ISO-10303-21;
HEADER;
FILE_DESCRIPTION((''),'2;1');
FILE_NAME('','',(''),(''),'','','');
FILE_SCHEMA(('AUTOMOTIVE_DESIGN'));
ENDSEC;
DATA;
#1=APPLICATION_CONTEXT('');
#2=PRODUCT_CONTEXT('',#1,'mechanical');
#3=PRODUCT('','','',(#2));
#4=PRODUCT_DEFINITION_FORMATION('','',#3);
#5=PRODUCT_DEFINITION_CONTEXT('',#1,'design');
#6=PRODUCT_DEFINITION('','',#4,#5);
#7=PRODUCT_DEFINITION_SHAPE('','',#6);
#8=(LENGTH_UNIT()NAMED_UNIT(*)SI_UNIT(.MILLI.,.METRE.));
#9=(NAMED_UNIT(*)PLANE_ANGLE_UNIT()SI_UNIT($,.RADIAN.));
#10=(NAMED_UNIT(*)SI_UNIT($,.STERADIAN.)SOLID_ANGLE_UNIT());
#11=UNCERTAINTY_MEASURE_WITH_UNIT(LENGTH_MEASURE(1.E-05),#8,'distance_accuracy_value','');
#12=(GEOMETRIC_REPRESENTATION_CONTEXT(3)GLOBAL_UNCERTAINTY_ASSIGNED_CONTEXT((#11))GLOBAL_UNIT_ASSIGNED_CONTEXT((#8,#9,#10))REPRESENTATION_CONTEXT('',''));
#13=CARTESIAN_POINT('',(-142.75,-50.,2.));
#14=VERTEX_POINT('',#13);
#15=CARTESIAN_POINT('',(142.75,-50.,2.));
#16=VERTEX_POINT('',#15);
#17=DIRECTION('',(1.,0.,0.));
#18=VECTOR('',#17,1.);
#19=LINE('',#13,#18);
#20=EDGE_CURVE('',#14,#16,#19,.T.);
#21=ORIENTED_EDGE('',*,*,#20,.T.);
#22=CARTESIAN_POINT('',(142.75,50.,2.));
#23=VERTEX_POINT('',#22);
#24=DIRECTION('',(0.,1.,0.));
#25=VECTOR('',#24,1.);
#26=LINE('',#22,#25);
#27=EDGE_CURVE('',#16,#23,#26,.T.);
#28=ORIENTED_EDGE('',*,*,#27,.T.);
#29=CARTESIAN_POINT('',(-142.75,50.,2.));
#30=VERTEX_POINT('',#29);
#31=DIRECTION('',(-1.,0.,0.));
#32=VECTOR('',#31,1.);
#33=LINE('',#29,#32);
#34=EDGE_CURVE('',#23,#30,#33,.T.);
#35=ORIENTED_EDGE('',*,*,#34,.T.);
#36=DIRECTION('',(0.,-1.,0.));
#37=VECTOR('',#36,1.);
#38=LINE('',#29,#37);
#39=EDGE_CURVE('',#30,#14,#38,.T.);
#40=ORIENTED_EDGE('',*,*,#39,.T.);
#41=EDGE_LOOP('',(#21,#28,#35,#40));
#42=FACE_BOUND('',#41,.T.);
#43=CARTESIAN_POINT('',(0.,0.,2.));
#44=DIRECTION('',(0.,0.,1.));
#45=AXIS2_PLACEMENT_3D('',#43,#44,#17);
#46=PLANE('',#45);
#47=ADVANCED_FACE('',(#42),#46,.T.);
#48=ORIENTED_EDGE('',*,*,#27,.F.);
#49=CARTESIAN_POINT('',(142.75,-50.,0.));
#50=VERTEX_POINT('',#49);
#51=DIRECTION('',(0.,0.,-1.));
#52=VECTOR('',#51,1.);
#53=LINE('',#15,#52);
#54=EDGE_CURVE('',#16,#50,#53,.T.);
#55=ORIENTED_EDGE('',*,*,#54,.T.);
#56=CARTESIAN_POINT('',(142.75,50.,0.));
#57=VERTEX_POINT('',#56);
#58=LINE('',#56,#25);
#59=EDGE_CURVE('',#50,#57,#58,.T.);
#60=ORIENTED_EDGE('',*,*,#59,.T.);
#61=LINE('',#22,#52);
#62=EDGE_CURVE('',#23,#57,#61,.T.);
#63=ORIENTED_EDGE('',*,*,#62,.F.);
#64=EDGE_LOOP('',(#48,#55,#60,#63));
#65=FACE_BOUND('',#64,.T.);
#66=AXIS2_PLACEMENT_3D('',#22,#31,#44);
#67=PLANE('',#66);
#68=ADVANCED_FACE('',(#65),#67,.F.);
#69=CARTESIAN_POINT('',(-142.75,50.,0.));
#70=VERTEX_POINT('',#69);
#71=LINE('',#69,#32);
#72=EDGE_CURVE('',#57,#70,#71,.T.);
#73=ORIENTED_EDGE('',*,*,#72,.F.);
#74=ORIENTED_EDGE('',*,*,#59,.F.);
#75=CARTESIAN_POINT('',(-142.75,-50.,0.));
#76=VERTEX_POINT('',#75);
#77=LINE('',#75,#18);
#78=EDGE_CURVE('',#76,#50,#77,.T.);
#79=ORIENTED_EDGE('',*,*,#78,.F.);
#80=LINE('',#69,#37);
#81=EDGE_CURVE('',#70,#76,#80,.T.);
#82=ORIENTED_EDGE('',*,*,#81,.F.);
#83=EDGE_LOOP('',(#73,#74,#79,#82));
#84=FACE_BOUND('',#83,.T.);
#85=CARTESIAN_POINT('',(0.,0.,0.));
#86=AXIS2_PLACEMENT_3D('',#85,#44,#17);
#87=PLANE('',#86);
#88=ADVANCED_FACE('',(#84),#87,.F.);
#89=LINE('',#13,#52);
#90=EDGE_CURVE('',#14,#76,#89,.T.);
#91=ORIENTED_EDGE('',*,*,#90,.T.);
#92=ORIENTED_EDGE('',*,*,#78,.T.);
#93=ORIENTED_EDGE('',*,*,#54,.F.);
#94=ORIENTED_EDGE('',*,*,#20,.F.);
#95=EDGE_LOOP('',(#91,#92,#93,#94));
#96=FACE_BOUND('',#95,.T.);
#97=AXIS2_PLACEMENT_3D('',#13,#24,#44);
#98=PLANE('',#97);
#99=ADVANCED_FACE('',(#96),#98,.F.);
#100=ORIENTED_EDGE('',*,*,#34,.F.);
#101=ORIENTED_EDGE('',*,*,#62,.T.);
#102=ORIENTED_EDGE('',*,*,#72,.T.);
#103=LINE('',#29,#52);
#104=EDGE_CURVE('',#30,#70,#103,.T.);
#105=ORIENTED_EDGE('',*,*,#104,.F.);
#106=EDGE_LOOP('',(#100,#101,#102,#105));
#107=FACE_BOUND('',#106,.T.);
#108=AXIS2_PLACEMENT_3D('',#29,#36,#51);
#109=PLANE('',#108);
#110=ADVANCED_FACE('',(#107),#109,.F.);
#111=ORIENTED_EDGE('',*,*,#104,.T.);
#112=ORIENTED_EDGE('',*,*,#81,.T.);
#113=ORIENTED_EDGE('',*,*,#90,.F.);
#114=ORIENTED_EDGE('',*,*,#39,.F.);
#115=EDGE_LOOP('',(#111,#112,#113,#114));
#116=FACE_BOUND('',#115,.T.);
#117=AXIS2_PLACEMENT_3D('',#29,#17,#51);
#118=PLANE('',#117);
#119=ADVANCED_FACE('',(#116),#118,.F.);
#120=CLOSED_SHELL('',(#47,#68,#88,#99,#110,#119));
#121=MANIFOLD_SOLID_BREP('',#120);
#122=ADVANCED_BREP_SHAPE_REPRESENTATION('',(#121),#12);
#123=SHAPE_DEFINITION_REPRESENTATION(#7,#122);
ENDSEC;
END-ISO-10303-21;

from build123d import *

# Parameters (mm, degrees)
SKETCH1_W           = 285.5
SKETCH1_H           = 100
BOSS_EXTRUDE1_DEPTH = 2


with BuildPart() as part:
    # Sketch1 → Boss-Extrude1 (new body)
    with BuildSketch(Plane.XY):
        Rectangle(SKETCH1_W, SKETCH1_H)
    extrude(amount=BOSS_EXTRUDE1_DEPTH)


solid = part.part
